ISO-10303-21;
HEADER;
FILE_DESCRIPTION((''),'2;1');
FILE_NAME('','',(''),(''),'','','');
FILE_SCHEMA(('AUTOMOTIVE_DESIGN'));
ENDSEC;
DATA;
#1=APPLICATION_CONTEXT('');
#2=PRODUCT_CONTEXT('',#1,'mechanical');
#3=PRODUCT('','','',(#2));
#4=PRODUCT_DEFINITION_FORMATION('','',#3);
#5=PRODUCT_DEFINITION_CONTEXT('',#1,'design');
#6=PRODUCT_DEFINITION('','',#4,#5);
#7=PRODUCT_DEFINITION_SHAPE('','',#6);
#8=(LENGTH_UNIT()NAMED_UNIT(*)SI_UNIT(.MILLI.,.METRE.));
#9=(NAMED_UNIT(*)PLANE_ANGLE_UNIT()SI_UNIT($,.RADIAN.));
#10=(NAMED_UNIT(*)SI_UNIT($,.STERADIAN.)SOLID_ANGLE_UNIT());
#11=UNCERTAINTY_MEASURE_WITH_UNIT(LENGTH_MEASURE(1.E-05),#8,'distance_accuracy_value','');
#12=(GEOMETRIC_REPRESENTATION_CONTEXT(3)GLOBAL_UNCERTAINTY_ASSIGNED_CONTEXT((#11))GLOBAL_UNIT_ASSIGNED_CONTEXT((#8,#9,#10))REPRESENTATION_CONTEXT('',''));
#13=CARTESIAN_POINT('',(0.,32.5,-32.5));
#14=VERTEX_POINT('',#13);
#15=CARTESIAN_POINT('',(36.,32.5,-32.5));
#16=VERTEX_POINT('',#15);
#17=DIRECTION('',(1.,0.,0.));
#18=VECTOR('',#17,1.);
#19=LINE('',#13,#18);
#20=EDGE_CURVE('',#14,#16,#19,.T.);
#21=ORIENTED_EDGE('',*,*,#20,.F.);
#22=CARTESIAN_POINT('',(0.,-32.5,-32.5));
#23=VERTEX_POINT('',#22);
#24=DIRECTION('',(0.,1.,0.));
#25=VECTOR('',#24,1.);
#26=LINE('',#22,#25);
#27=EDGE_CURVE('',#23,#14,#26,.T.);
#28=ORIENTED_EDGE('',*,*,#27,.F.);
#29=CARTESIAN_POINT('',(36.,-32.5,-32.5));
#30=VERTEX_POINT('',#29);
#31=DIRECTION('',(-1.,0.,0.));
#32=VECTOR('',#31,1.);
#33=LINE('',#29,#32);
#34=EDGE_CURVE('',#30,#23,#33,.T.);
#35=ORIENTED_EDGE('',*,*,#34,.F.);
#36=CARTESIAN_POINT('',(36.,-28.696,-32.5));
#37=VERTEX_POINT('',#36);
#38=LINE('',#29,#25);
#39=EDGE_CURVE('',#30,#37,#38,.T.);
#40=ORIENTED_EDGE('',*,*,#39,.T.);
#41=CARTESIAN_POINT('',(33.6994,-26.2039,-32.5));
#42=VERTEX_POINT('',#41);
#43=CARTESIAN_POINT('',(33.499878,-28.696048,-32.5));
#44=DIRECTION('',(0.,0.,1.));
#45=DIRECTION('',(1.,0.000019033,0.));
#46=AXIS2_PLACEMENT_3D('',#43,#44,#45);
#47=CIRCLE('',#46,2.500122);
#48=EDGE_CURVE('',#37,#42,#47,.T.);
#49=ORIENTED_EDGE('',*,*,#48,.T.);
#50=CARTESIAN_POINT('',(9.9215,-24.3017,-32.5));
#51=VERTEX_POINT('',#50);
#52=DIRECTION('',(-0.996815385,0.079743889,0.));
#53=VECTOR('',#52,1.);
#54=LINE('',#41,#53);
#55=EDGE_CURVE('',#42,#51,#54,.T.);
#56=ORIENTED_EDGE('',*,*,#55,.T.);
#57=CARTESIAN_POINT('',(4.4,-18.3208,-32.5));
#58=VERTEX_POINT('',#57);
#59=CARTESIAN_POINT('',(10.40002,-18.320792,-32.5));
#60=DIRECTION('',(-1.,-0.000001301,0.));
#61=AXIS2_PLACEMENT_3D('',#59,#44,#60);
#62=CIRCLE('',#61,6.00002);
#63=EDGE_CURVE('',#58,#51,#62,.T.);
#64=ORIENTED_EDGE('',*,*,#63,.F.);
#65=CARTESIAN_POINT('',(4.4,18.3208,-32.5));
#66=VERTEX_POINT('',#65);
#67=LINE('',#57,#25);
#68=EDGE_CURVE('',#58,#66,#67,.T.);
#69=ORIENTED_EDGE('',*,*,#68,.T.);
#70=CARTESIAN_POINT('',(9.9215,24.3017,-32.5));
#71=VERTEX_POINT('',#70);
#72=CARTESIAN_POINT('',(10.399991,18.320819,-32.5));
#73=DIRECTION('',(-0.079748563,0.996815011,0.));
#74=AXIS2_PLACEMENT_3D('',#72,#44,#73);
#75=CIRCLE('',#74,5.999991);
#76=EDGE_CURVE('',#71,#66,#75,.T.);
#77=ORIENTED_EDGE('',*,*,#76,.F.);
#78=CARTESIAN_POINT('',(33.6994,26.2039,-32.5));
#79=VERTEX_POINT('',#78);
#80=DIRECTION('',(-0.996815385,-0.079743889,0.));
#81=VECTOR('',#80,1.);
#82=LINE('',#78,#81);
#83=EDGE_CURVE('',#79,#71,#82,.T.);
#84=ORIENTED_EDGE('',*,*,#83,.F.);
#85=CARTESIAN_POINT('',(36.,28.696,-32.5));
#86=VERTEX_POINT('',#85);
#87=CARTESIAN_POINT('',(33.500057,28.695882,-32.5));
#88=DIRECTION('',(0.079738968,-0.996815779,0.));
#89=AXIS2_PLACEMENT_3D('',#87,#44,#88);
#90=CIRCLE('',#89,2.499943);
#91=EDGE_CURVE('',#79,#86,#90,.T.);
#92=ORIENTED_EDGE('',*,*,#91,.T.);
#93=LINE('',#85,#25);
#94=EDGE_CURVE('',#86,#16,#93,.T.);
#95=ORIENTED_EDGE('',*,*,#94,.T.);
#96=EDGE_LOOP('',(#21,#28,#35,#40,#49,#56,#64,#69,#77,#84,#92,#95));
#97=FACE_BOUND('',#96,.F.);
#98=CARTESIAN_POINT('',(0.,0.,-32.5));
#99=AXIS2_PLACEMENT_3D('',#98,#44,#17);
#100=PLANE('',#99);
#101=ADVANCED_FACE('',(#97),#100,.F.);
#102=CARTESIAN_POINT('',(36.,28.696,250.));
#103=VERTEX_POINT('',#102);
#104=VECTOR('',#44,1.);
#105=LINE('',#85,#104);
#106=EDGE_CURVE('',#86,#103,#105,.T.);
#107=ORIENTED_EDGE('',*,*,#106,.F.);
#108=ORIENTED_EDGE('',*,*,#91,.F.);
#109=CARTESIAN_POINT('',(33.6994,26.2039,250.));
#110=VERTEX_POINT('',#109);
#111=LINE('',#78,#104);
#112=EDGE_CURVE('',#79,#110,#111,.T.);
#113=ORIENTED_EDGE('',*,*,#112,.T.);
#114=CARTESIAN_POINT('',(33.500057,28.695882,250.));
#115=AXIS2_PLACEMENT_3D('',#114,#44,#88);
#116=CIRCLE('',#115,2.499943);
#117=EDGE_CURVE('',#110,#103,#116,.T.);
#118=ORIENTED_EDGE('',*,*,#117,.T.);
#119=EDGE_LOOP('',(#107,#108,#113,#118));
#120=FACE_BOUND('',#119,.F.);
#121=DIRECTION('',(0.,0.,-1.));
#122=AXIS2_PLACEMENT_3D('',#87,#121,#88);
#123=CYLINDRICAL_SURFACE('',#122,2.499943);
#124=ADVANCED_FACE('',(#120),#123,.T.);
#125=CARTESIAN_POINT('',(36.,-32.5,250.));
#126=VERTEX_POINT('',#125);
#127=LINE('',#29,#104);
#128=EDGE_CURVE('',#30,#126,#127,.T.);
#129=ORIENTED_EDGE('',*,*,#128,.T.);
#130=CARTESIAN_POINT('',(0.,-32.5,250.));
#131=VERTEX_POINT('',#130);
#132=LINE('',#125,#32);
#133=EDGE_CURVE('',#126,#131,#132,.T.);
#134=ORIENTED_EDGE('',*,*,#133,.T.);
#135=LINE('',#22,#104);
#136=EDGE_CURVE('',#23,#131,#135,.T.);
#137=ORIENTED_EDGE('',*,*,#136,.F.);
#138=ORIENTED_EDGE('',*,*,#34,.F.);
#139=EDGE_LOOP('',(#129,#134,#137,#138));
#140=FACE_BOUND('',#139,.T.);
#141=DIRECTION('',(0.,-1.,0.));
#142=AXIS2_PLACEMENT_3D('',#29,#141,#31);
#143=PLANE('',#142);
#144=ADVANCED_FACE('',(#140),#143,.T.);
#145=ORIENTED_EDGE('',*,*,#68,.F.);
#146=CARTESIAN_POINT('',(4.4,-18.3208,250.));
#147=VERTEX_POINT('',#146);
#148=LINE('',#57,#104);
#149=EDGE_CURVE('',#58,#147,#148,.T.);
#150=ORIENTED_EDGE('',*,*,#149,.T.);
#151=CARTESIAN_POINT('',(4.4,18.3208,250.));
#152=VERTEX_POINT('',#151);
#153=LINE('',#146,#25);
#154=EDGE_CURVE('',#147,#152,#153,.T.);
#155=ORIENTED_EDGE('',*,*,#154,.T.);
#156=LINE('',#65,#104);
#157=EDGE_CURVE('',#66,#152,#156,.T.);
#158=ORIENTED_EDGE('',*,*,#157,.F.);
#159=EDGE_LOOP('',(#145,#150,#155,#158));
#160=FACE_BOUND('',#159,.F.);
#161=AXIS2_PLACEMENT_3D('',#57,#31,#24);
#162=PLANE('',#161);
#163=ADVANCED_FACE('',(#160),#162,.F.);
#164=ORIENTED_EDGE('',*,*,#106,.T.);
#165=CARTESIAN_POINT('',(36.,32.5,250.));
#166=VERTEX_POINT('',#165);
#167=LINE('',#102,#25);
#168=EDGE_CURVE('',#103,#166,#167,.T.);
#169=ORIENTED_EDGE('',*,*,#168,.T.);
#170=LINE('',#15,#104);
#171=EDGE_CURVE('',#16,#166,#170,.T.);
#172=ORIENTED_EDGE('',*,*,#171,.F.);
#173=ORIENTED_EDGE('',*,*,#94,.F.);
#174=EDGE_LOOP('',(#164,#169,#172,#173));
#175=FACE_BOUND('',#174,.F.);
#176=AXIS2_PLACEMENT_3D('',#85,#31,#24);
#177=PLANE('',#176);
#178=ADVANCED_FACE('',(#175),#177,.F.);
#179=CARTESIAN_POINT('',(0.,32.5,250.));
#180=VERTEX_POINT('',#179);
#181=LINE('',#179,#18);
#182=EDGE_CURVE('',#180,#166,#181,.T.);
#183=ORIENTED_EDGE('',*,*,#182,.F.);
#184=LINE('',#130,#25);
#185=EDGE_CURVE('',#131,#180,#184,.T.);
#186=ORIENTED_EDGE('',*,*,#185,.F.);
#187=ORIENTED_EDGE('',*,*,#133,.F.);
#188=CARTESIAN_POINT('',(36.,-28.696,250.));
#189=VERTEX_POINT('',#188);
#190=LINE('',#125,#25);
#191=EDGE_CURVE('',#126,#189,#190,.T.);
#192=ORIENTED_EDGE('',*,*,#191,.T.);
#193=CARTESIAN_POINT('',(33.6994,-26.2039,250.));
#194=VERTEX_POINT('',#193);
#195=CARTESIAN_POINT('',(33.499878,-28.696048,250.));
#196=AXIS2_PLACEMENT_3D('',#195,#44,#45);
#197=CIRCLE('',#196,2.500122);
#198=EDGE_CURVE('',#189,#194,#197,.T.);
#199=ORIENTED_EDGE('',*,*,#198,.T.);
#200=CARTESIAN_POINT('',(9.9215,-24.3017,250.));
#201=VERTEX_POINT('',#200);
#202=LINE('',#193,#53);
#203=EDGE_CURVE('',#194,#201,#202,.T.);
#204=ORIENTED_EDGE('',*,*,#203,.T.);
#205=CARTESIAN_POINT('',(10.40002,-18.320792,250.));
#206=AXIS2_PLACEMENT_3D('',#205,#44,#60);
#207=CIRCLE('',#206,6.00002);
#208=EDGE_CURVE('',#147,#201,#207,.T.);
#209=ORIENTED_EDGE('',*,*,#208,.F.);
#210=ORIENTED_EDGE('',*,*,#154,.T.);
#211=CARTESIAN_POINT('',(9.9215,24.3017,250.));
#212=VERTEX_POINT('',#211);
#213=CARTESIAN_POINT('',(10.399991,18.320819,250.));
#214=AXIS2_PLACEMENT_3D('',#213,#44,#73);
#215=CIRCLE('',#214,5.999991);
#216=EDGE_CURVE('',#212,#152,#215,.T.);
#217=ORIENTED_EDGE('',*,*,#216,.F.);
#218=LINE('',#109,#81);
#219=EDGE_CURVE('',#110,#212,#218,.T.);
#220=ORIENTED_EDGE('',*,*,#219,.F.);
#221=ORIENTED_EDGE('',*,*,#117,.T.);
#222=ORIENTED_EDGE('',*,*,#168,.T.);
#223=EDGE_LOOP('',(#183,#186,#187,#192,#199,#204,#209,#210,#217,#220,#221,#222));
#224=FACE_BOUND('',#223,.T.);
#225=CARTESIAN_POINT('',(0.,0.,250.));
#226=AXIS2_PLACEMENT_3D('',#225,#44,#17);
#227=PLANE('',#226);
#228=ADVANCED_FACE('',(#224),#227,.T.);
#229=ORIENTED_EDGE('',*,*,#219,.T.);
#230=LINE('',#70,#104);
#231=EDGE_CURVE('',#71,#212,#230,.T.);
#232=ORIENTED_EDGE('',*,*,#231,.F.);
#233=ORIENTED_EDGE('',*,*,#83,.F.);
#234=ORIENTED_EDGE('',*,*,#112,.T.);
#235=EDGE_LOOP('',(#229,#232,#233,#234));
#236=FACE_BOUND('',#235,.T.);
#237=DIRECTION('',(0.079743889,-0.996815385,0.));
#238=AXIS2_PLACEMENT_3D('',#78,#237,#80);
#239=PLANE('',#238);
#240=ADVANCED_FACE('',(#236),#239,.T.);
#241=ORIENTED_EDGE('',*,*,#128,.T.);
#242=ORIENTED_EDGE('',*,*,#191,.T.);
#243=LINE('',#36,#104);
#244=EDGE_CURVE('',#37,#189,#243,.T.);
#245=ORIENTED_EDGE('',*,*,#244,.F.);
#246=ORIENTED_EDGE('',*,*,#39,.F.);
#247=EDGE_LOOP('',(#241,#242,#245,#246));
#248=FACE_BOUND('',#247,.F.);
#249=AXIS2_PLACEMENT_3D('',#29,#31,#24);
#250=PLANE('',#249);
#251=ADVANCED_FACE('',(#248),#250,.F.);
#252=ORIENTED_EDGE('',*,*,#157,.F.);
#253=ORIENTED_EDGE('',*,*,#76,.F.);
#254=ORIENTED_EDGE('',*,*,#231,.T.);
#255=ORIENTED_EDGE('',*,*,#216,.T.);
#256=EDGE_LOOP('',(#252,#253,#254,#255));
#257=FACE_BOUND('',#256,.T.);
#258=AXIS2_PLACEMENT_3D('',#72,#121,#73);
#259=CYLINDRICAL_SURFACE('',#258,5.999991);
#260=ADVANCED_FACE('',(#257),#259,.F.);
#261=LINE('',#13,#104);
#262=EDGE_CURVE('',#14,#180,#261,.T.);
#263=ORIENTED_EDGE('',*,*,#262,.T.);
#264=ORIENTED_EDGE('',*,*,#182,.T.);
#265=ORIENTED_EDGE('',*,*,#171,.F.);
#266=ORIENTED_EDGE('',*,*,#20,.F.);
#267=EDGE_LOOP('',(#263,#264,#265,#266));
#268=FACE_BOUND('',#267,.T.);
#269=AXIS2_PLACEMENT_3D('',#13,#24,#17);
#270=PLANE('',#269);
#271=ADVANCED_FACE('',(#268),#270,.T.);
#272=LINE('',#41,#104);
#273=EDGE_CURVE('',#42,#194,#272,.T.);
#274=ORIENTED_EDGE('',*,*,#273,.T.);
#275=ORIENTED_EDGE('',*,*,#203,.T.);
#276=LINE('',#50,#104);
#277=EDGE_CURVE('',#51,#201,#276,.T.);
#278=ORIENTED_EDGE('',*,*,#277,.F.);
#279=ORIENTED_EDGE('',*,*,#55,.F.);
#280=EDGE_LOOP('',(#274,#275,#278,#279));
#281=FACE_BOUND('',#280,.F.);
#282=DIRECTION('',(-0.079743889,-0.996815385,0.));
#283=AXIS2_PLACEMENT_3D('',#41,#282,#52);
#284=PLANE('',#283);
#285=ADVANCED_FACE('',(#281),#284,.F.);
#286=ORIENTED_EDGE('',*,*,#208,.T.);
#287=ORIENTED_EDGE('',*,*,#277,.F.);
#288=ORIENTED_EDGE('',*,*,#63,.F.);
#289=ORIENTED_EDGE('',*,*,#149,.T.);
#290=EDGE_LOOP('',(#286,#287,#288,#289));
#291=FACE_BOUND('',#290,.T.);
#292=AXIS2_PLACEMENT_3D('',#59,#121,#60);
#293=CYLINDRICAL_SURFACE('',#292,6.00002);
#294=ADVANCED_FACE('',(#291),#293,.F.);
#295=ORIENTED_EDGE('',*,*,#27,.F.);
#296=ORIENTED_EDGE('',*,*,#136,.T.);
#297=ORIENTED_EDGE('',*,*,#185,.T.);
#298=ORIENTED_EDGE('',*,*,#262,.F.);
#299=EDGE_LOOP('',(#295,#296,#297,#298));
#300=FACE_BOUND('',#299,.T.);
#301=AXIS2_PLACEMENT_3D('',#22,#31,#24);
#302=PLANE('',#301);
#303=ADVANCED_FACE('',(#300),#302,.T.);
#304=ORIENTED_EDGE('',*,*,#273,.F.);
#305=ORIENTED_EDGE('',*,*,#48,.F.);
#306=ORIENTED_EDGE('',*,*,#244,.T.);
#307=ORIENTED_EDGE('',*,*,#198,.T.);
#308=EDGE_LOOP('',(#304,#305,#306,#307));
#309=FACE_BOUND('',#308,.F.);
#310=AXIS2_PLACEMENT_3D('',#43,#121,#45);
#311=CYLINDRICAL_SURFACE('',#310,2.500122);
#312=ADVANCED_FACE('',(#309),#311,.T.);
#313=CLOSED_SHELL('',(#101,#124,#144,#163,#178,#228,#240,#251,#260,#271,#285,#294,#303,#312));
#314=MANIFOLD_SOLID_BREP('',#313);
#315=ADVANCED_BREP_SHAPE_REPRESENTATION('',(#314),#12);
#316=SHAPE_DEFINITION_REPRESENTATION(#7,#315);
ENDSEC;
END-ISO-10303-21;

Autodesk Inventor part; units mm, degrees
ref_plane "Начальная плоскость" through (0, 0, -32.5) normal (0, 0, 1) x (1, 0, 0)
ref_plane "Конечная плоскость" through (0, 0, 250) normal (0, 0, 1) x (1, 0, 0)
sketch "Эскиз" plane through (0, 0, 0) normal (0, 0, 1) x (1, 0, 0)
  line L0 (36, -32.5) -> (0, -32.5)
  line L1 (36, -32.5) -> (36, -28.696)
  line L2 (33.6994, -26.2039) -> (9.9215, -24.3017)
  line L3 (4.4, -18.3208) -> (4.4, 18.3208)
  line L4 (33.6994, 26.2039) -> (9.9215, 24.3017)
  line L5 (36, 28.696) -> (36, 32.5)
  line L6 (0, 32.5) -> (36, 32.5)
  line L7 (0, -32.5) -> (0, 32.5)
  arc A0 (4.4, -18.3208) -> (9.9215, -24.3017) centre (10.4, -18.3208) ccw
  arc A1 (9.9215, 24.3017) -> (4.4, 18.3208) centre (10.4, 18.3208) ccw
  arc A2 (36, -28.696) -> (33.6994, -26.2039) centre (33.5, -28.696) ccw
  arc A3 (33.6994, 26.2039) -> (36, 28.696) centre (33.5, 28.696) ccw
  line L8 (0, 45.5) -> (0, -45.5) construction
  line L9 (-7.2974, 0) -> (43.7847, 0) construction
  point P0 (36, -26.388)
  point P1 (4.4, -23.86)
  point P2 (4.4, 23.86)
  point P3 (36, 26.388)
  dimension "d3" = 36
  dimension "d5" = 4.4
  dimension "d7" = 65
  dimension "d9" = 8.64
  dimension "d11" = 8.64
  dimension "d13" = 6.112
  dimension "d15" = 6.112
  dimension "d22" = 6
  dimension "d23" = 2.5
  dimension "d24" = 32.5
  dimension "d25" = 0
extrude "Тело" add sketch "Эскиз" along normal up to surface (282.5 mm away) from surface at -32.5
sketch "Sketch3" plane through (0, 0, 0) normal (0, 0, 1) x (1, 0, 0)
  line L0 (0, 0) -> (10, 0)
ref_plane "Work Plane7" through (0, 0, 0) normal (0, -1, 0) x (1, 0, 0)
sketch "Sketch4" plane through (0, 0, 0) normal (0, -1, 0) x (1, 0, 0)
  line L0 (-2, -32.5) -> (12, -32.5)
  line L1 (-2, 250) -> (12, 250)
  dimension "d29" = 282.5
ref_plane "РабПлоскость8" through (18, -177.5, -32.5) normal (0, 0, -1) x (-1, 0, 0)
split "Разделение1" plane through (18, -177.5, -32.5) removes the side toward (0, 0, -1)
equation "\"d3\" = b"
equation "\"d5\" = t1"
equation "\"d7\" = ParH"
equation "\"d9\" = msp_x1 + t2"
equation "\"d11\" = msp_x1 + t2"
equation "\"d13\" = -msp_x2 + t2"
equation "\"d15\" = -msp_x2 + t2"
equation "\"d22\" = R"
equation "\"d23\" = R1"
equation "\"d24\" = 0.5 * d7"
equation "\"d16\" = G_L"
equation "\"R1\" = 2.5"
equation "\"R\" = 6"
equation "\"t1\" = 4.4"
equation "\"t2\" = 7.2"
equation "\"ParH\" = 65"
equation "\"b\" = 36"
equation "\"msp_x1\" = 0.04 * b"
equation "\"msp_x2\" = -0.08 * t1 + 0.04 * b"
equation "\"G_L\" = d29"
equation "\"ex\" = 0"
equation "\"G_OFFSET_START\" = 32.5"
equation "\"G_OFFSET_END\" = 0"
equation "\"d26\" = -G_OFFSET_START"
properties part number "Швеллер 6.5U-282,5 ГОСТ 8240-97"
